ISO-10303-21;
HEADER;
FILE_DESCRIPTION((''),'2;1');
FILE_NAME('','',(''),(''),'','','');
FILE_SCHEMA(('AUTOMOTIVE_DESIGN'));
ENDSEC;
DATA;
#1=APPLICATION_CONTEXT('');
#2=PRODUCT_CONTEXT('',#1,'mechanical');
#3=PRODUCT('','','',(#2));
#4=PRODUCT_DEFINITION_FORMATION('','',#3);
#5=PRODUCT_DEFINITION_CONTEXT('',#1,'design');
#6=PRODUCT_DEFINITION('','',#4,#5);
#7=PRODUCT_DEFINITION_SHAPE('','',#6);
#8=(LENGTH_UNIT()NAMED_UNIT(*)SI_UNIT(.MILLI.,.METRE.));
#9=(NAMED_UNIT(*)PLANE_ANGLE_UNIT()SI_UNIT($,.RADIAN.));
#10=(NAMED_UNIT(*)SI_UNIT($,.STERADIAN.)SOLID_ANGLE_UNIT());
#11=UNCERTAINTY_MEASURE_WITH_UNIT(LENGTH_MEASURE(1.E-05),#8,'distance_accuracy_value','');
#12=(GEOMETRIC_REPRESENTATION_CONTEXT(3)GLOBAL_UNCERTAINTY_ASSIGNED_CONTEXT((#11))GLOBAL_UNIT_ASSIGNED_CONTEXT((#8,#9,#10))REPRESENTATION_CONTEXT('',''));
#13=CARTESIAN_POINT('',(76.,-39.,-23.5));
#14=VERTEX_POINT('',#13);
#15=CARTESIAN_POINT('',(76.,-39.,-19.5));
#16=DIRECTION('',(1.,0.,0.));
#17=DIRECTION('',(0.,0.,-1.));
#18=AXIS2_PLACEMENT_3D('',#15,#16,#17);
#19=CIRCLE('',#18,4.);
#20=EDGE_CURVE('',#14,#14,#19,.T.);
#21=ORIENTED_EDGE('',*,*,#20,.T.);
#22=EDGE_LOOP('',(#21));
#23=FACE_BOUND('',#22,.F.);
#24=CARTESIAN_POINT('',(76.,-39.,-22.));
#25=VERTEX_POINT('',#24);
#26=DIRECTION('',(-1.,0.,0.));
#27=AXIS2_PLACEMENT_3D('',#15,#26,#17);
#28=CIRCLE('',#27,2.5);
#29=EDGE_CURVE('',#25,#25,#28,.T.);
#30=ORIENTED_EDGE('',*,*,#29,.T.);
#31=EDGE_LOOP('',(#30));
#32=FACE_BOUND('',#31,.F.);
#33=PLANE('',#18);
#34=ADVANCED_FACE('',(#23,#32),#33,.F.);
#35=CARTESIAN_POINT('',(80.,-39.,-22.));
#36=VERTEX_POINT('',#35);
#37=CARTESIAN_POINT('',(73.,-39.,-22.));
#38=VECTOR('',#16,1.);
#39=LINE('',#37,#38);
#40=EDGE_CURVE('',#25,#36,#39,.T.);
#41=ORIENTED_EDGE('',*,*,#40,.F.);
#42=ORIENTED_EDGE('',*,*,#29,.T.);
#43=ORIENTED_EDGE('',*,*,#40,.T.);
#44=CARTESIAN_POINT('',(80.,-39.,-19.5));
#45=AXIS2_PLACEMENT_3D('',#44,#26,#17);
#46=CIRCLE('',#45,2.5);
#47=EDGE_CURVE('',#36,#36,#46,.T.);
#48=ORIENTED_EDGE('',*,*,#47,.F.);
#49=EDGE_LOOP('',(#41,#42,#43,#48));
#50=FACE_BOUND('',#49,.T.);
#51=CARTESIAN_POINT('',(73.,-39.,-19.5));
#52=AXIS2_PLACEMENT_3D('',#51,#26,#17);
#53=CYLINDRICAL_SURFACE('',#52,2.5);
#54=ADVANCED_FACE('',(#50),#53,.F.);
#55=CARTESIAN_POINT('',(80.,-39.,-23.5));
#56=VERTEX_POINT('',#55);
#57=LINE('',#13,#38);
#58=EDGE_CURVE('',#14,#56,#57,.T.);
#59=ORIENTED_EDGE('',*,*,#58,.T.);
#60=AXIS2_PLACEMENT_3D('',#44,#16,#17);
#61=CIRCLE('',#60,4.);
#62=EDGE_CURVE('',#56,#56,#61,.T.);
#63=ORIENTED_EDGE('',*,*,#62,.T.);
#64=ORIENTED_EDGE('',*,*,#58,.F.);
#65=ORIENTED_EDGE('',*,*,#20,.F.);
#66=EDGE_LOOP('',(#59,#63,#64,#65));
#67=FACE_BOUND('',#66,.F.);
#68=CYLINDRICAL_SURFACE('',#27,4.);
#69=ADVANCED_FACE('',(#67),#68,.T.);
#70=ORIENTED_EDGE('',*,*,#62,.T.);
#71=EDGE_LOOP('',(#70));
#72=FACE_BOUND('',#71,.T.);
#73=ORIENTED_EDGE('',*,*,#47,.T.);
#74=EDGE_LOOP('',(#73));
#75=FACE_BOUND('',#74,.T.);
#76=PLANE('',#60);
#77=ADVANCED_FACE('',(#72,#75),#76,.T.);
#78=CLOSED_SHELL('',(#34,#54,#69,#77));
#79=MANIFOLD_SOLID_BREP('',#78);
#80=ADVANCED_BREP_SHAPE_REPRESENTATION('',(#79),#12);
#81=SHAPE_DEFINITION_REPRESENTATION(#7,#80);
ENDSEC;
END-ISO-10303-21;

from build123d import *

# Parameters (mm, degrees)
CYLINDER018_R     = 2.5
CYLINDER018_DEPTH = 10
CYLINDER019_R     = 4
CYLINDER019_DEPTH = 4


with BuildPart() as cylinder006:
    # Cylinder018 → Cylinder018 (new body)
    with BuildSketch(Plane(origin=(23.5, -39, -22), x_dir=(0, 0, -1), z_dir=(1, 0, 0))):
        Circle(CYLINDER018_R)
    extrude(amount=CYLINDER018_DEPTH)


with BuildPart() as bricksup004:
    # Cylinder019 → Cylinder019 (new body)
    with BuildSketch(Plane(origin=(26.5, -39, -22), x_dir=(0, 0, -1), z_dir=(1, 0, 0))):
        Circle(CYLINDER019_R)
    extrude(amount=CYLINDER019_DEPTH)

    # Cut010: cut Cylinder006
    add(cylinder006.part, mode=Mode.SUBTRACT)


with BuildPart() as bricksup004_1:
    # Cut010 placement: moved
    add(bricksup004.part.moved(Location((49.5, 0, 2.5))))


solid = bricksup004_1.part
